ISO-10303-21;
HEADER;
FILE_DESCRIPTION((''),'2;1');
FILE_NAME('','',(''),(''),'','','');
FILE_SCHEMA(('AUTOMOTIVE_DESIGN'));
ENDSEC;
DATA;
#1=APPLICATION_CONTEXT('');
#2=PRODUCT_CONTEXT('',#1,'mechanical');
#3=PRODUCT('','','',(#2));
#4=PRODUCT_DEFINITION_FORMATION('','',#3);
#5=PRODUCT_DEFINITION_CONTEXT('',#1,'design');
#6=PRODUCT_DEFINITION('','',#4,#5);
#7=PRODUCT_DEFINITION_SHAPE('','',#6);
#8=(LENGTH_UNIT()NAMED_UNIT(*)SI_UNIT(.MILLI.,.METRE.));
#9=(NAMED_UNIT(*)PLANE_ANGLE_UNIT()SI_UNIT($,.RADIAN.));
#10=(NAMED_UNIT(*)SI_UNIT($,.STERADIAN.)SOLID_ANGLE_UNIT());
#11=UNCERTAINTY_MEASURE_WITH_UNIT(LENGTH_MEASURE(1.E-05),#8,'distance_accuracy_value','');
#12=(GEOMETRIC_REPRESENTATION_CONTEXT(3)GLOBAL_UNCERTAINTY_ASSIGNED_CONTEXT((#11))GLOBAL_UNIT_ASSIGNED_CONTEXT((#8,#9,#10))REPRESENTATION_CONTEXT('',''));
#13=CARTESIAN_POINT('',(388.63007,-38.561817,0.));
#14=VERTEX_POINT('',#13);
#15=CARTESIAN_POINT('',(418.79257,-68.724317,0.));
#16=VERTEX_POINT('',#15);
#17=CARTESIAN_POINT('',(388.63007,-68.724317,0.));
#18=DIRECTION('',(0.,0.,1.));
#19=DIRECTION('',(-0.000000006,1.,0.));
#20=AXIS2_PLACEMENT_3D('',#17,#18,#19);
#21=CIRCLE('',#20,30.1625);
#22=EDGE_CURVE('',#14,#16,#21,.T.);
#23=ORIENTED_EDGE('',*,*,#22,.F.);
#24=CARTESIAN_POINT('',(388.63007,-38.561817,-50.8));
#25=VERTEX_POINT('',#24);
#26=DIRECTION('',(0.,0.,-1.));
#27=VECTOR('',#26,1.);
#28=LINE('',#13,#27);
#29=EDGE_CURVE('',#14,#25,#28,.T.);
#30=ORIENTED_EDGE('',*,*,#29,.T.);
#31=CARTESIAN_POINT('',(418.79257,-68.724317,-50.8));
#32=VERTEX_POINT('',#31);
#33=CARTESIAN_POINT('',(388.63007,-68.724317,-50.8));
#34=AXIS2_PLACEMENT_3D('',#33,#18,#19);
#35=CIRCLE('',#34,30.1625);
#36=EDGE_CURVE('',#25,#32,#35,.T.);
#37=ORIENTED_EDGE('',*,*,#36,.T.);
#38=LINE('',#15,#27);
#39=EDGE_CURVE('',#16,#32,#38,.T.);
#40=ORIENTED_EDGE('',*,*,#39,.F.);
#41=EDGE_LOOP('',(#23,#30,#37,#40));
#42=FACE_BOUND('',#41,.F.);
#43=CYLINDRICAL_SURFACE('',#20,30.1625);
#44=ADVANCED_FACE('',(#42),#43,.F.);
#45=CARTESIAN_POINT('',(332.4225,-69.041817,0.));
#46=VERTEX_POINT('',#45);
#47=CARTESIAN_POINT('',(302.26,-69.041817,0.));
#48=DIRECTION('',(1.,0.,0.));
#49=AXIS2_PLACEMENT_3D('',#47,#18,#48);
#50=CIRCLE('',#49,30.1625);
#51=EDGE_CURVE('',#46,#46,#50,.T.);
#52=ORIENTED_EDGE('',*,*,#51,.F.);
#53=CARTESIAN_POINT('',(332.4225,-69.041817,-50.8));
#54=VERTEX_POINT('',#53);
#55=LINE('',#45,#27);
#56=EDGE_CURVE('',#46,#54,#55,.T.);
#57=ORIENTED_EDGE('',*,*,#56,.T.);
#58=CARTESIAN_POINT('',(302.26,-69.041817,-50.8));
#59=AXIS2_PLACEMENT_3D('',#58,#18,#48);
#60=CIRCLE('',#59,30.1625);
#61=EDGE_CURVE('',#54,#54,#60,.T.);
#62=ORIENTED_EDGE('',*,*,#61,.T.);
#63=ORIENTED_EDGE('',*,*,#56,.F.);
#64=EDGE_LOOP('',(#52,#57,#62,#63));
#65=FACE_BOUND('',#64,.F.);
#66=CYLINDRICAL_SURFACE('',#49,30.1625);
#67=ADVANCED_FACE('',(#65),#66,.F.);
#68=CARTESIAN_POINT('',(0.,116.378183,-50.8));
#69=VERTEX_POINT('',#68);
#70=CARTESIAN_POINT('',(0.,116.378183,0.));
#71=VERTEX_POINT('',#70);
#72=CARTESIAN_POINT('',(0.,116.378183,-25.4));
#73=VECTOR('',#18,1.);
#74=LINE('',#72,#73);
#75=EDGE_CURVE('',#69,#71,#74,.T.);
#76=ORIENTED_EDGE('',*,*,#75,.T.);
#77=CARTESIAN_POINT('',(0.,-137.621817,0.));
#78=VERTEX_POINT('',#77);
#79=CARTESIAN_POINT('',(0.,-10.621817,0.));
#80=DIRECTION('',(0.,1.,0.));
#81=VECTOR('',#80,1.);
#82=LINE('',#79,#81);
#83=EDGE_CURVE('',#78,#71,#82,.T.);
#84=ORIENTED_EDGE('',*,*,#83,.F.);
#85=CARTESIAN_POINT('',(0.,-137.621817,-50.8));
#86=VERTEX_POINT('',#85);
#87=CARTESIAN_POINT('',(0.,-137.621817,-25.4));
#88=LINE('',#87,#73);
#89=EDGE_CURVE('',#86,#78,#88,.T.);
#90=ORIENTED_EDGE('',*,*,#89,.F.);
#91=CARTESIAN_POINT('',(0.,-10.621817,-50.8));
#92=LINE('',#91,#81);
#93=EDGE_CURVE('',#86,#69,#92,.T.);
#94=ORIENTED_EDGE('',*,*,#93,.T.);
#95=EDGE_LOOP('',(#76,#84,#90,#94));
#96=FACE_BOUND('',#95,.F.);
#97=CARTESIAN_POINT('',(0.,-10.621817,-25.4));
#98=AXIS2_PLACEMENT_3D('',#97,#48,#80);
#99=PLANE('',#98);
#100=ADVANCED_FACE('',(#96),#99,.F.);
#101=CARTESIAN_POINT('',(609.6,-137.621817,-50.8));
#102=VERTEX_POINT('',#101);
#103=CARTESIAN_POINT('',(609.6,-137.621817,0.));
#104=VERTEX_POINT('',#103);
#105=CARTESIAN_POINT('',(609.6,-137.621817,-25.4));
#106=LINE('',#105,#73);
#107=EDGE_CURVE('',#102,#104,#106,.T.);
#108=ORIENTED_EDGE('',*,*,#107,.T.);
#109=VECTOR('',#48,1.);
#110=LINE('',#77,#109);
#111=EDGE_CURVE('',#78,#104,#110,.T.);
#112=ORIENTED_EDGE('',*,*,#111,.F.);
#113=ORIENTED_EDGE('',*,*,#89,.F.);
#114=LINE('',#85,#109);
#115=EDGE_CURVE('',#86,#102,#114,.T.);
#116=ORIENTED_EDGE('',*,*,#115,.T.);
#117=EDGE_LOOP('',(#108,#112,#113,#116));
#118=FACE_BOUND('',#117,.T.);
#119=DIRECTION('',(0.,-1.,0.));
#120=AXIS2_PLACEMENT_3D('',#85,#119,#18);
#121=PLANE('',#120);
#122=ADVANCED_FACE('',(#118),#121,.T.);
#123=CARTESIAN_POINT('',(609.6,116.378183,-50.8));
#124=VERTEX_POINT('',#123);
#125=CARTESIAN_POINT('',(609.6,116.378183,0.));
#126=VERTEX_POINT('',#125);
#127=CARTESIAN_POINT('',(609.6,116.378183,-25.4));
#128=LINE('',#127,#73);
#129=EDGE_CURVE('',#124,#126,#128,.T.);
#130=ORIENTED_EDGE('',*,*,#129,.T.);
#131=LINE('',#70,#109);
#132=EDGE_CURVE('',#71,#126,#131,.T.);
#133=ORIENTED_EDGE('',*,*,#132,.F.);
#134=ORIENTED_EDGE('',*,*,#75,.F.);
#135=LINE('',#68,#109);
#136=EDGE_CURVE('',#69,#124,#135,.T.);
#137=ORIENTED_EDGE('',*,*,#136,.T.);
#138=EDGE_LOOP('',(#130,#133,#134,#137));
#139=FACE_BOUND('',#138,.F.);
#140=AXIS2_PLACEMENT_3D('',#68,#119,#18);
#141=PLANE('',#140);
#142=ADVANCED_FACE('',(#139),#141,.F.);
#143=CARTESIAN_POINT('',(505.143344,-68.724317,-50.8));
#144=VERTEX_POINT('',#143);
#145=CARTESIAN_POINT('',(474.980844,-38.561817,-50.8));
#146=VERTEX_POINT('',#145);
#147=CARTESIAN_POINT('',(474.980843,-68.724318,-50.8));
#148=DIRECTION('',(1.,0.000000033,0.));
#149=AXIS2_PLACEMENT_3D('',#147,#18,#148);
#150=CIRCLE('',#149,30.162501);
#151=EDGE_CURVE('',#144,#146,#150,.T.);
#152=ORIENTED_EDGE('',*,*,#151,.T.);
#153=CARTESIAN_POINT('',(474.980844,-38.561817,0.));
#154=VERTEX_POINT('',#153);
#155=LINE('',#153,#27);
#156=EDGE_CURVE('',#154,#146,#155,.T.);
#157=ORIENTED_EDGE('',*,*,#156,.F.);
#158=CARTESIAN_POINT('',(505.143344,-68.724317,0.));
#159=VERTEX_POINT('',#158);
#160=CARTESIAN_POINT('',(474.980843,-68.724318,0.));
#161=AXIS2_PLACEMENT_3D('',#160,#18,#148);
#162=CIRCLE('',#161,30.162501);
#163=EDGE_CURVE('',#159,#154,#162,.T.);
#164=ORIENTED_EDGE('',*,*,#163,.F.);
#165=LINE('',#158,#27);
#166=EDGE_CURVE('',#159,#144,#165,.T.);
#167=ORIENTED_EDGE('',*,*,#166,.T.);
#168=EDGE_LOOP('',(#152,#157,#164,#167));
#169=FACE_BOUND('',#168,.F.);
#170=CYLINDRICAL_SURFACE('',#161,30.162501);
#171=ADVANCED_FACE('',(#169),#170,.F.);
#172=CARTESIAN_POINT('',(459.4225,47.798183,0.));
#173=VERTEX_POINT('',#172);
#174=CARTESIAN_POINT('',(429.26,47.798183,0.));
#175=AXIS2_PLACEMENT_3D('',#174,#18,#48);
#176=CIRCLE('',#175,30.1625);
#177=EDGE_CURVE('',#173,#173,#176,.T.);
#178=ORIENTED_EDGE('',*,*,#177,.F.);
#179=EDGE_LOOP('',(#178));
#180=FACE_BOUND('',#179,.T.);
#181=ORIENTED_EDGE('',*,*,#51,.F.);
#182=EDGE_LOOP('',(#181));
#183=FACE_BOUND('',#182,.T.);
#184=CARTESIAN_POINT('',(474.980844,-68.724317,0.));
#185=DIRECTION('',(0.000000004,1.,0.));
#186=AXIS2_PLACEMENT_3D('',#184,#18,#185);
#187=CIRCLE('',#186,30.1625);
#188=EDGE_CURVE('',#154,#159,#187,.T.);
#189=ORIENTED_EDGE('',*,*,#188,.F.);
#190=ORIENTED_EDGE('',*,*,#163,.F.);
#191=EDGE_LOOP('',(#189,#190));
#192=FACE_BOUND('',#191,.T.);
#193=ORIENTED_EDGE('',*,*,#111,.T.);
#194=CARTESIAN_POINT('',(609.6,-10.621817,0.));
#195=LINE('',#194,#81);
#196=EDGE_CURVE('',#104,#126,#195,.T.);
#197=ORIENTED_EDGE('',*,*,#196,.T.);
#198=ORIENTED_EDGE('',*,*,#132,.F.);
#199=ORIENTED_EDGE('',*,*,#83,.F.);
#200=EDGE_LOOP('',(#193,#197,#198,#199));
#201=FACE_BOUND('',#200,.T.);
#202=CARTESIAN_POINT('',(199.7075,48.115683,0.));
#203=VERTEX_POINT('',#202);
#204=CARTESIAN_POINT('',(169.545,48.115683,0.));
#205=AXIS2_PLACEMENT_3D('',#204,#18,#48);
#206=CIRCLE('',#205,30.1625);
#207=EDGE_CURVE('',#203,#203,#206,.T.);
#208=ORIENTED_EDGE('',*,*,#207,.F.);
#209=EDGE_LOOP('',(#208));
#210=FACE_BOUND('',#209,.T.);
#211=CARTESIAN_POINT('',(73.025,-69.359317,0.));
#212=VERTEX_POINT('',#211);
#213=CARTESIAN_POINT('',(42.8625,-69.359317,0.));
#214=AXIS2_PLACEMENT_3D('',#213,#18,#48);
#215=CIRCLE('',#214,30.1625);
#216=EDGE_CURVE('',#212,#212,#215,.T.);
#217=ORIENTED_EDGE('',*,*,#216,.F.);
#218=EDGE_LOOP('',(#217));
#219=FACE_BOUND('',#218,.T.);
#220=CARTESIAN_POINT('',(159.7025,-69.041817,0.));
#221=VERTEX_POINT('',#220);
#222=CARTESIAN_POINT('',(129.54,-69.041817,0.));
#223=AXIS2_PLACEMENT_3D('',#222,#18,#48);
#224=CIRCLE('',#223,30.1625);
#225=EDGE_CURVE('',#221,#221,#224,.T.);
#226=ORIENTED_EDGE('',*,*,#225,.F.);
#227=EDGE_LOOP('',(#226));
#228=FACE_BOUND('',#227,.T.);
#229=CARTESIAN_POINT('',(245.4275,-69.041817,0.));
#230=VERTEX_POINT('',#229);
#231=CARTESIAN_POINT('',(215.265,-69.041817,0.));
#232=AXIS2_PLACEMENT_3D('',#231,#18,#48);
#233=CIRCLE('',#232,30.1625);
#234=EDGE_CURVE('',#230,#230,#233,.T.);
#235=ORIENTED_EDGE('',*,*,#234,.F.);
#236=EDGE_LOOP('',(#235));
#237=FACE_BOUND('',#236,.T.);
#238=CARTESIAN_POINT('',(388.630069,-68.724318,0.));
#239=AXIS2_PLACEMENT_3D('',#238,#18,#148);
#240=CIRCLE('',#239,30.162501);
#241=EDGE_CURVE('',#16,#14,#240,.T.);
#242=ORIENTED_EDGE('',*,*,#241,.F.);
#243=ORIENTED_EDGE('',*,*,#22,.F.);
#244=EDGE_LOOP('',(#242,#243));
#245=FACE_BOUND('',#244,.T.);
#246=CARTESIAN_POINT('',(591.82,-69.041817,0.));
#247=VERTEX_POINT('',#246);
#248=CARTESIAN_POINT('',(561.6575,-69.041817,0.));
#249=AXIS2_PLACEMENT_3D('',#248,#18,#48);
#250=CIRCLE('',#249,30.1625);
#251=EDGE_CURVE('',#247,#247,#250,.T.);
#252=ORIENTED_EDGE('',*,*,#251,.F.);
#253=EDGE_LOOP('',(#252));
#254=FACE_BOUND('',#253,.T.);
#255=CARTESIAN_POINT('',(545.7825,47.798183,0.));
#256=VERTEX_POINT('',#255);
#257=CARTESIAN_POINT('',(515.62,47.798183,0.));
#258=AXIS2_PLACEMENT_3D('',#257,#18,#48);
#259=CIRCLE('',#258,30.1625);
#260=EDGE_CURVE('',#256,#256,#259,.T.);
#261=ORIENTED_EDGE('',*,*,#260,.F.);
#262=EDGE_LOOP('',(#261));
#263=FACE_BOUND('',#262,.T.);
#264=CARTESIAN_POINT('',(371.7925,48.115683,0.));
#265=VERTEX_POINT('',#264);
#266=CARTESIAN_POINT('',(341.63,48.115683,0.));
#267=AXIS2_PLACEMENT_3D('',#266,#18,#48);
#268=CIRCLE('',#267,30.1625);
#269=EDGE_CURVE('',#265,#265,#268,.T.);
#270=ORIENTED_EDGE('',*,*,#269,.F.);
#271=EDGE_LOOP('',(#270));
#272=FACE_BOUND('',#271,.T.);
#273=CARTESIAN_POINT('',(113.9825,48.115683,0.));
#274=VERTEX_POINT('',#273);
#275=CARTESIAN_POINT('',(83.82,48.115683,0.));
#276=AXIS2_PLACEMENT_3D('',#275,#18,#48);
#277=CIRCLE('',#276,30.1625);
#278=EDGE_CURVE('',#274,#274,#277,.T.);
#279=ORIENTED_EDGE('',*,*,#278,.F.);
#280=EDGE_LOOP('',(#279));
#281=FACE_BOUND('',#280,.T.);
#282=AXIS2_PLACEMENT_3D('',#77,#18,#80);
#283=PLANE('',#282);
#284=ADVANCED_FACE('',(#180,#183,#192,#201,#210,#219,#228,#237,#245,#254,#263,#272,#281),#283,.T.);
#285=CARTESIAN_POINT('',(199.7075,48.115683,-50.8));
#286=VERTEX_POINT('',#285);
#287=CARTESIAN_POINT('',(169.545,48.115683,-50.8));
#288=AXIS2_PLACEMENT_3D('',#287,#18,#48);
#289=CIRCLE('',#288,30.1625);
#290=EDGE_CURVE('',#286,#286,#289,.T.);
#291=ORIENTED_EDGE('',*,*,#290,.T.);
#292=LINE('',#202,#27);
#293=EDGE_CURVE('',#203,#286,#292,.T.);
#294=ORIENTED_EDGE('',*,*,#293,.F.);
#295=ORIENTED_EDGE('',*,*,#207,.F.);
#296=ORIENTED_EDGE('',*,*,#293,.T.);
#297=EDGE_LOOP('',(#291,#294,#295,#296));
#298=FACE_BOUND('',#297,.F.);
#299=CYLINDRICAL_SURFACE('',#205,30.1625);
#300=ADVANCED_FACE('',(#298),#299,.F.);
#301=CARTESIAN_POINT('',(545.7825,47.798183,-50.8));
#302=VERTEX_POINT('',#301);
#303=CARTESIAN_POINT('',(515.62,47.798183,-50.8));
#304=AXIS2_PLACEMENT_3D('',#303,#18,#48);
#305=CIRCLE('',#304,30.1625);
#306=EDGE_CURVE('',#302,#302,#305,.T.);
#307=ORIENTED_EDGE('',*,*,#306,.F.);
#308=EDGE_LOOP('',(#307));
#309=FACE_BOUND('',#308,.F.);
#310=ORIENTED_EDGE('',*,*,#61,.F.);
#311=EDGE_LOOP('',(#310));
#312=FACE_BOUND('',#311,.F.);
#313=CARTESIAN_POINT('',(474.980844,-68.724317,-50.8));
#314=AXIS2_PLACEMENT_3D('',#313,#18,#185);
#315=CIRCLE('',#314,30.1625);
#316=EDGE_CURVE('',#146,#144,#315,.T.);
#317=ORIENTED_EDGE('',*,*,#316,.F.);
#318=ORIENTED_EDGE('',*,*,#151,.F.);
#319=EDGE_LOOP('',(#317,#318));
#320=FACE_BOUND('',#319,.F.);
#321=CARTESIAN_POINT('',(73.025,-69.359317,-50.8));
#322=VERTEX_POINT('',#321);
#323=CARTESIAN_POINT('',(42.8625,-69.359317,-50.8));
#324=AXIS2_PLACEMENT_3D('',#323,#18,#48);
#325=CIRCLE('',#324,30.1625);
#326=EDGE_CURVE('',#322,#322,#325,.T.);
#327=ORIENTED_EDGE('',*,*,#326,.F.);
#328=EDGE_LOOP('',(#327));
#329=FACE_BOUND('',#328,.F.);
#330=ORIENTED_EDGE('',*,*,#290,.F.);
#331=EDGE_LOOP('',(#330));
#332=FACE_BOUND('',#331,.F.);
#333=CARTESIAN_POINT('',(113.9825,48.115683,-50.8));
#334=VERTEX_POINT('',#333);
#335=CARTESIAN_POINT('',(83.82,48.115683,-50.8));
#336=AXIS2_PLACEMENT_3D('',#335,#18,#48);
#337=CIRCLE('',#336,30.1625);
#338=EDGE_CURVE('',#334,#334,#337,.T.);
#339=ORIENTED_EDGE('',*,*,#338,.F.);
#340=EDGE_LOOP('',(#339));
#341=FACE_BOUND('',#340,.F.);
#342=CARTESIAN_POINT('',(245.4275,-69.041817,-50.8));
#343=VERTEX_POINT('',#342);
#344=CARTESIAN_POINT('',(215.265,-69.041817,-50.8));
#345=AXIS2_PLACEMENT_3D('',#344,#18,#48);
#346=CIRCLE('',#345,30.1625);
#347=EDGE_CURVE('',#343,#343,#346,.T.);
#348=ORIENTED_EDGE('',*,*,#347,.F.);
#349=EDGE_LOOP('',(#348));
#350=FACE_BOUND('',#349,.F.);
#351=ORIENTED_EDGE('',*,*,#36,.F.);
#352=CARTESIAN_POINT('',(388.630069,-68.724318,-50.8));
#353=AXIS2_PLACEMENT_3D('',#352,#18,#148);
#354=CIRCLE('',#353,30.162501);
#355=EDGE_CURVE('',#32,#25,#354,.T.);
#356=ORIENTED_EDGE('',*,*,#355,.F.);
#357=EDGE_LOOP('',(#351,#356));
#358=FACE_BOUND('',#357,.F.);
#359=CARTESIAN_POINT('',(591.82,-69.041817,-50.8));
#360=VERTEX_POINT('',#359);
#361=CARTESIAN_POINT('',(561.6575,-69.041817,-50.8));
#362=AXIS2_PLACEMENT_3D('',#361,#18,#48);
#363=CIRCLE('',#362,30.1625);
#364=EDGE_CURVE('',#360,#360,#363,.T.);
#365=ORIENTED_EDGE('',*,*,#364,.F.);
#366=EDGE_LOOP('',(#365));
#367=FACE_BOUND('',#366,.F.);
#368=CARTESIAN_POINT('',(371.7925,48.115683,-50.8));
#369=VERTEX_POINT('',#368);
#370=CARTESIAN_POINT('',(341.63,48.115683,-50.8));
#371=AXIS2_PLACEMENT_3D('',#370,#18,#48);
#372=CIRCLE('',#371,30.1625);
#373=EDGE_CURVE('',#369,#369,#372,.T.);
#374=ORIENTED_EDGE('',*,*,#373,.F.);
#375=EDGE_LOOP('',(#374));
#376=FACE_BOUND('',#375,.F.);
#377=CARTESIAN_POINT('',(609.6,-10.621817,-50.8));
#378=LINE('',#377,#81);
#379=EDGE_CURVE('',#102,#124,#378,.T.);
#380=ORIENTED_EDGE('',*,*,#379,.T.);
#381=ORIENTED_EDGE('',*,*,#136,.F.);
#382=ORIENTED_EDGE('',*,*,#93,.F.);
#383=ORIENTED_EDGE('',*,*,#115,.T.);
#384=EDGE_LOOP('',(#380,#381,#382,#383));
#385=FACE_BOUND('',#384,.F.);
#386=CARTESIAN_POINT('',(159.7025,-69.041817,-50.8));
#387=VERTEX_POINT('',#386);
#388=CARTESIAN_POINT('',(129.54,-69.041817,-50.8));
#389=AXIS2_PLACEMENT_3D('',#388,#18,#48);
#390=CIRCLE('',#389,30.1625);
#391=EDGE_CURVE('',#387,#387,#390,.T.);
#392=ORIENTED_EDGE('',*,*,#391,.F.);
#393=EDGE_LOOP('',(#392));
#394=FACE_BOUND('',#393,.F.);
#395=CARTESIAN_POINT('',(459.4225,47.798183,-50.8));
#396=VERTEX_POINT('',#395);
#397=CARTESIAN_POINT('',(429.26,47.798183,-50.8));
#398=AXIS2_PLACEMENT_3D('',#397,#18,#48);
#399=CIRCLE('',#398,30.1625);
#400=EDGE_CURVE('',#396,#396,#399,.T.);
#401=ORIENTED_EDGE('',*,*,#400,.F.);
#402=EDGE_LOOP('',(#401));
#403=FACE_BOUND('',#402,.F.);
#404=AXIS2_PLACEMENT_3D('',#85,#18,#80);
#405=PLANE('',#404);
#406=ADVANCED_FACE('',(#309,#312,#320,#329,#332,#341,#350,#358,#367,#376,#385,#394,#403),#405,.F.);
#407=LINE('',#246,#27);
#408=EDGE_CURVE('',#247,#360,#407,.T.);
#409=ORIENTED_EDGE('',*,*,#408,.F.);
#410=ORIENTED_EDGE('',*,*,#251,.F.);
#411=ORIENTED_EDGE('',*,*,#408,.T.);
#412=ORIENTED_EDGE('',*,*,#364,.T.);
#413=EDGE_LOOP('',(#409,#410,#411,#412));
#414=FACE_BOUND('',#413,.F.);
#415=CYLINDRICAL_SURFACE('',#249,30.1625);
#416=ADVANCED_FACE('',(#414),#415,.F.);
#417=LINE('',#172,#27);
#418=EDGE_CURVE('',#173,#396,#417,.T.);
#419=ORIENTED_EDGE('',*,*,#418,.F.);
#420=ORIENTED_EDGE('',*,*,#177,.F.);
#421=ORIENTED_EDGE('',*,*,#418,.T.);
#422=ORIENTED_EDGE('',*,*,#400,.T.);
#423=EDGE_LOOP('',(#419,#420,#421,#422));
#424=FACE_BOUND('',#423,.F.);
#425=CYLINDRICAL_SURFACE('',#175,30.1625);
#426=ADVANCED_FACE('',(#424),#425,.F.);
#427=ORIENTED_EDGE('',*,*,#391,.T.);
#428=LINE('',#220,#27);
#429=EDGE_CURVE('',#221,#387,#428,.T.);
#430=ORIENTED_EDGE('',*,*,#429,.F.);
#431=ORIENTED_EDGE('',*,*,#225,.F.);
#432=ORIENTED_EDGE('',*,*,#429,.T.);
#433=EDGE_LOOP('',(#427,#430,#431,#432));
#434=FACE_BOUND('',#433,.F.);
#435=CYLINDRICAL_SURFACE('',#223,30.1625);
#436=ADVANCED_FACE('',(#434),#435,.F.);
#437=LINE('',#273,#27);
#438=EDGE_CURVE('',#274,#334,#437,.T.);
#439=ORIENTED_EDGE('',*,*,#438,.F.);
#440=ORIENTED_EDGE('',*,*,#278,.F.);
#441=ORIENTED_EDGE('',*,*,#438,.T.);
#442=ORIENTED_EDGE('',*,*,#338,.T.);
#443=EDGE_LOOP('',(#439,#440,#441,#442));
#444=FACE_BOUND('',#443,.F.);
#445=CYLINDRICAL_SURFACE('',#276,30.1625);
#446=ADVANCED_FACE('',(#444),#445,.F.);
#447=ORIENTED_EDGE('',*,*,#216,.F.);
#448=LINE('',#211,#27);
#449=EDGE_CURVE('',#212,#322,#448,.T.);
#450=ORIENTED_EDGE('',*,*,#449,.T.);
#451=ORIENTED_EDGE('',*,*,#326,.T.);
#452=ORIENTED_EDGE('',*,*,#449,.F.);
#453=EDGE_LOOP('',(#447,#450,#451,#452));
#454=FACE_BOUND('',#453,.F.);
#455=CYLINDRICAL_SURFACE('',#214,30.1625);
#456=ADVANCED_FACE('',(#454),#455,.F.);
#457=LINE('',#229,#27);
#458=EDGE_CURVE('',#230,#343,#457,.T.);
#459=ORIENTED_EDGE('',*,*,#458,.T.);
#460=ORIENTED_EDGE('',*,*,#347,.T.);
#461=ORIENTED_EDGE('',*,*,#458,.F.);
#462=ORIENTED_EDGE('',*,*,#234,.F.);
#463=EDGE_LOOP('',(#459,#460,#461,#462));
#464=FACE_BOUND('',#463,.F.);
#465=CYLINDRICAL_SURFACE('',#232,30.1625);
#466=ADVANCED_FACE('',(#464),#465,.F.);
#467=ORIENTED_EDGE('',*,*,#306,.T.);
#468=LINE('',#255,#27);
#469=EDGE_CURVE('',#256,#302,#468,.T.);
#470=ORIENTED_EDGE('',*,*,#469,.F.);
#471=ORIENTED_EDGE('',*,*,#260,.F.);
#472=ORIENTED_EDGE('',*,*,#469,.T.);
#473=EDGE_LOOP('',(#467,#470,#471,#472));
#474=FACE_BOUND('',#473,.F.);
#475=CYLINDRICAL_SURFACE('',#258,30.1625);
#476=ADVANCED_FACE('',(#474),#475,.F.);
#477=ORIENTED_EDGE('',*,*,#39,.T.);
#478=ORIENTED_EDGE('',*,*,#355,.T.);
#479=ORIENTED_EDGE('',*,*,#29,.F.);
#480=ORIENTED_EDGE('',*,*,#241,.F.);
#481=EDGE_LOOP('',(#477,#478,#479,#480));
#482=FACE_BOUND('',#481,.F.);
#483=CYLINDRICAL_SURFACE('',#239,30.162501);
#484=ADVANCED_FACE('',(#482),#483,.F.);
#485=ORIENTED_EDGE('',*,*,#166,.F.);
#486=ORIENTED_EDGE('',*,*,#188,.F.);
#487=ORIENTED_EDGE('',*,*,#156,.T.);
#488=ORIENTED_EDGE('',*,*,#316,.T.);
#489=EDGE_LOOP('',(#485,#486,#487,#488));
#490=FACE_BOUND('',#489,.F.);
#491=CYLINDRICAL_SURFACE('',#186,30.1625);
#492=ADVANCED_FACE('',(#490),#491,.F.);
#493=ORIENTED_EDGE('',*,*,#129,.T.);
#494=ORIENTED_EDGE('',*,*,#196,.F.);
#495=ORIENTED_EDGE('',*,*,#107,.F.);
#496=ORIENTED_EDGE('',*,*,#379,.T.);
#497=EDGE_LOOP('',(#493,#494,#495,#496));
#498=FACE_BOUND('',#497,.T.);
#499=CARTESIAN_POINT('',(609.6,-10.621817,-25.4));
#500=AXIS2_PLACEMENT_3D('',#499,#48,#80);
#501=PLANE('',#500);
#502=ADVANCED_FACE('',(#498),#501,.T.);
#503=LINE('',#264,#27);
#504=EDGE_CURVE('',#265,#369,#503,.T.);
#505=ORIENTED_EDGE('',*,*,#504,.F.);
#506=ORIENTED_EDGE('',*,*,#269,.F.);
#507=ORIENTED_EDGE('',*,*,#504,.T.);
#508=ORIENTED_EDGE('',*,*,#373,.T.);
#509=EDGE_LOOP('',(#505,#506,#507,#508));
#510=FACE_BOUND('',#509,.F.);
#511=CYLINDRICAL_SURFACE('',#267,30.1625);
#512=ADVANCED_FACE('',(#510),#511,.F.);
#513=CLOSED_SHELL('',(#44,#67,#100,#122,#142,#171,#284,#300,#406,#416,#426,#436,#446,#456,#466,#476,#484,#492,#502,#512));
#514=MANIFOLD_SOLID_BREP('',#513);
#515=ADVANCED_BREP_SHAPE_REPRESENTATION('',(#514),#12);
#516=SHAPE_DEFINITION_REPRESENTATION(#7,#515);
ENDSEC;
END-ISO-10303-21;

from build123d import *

# Parameters (mm, degrees)
F0_W     = 254
F0_H     = 50.8
F1_DEPTH = 609.6
F2_R     = 30.1625
F3_DEPTH = 107.192695


with BuildPart() as f1:
    # F0 (on Right) → F1 (new body)
    with BuildSketch(Plane.YZ):
        with Locations((-10.621817, -25.4)):
            Rectangle(F0_W, F0_H)
    extrude(amount=F1_DEPTH)

    # F2 (on Top) → F3 (cut)
    with BuildSketch(Plane.XY):
        with Locations((42.8625, -69.359317)):
            Circle(F2_R)
        with Locations((83.82, 48.115683)):
            Circle(F2_R)
        with Locations((129.54, -69.041817)):
            Circle(F2_R)
        with Locations((169.545, 48.115683)):
            Circle(F2_R)
        with Locations((215.265, -69.041817)):
            Circle(F2_R)
        with Locations((302.26, -69.041817)):
            Circle(F2_R)
        with BuildLine():
            ThreePointArc((388.63007, -38.561817), (367.301962, -90.052425), (418.79257, -68.724317))
            ThreePointArc((418.79257, -68.724317), (409.958178, -47.396209), (388.63007, -38.561817))
        make_face()
        with BuildLine():
            ThreePointArc((505.143344, -68.724317), (496.308952, -47.396209), (474.980844, -38.561817))
            ThreePointArc((474.980844, -38.561817), (453.652735, -90.052425), (505.143344, -68.724317))
        make_face()
        with Locations((341.63, 48.115683)):
            Circle(F2_R)
        with Locations((429.26, 47.798183)):
            Circle(F2_R)
        with Locations((515.62, 47.798183)):
            Circle(F2_R)
        with Locations((561.6575, -69.041817)):
            Circle(F2_R)
    extrude(amount=-F3_DEPTH, mode=Mode.SUBTRACT)


solid = f1.part
